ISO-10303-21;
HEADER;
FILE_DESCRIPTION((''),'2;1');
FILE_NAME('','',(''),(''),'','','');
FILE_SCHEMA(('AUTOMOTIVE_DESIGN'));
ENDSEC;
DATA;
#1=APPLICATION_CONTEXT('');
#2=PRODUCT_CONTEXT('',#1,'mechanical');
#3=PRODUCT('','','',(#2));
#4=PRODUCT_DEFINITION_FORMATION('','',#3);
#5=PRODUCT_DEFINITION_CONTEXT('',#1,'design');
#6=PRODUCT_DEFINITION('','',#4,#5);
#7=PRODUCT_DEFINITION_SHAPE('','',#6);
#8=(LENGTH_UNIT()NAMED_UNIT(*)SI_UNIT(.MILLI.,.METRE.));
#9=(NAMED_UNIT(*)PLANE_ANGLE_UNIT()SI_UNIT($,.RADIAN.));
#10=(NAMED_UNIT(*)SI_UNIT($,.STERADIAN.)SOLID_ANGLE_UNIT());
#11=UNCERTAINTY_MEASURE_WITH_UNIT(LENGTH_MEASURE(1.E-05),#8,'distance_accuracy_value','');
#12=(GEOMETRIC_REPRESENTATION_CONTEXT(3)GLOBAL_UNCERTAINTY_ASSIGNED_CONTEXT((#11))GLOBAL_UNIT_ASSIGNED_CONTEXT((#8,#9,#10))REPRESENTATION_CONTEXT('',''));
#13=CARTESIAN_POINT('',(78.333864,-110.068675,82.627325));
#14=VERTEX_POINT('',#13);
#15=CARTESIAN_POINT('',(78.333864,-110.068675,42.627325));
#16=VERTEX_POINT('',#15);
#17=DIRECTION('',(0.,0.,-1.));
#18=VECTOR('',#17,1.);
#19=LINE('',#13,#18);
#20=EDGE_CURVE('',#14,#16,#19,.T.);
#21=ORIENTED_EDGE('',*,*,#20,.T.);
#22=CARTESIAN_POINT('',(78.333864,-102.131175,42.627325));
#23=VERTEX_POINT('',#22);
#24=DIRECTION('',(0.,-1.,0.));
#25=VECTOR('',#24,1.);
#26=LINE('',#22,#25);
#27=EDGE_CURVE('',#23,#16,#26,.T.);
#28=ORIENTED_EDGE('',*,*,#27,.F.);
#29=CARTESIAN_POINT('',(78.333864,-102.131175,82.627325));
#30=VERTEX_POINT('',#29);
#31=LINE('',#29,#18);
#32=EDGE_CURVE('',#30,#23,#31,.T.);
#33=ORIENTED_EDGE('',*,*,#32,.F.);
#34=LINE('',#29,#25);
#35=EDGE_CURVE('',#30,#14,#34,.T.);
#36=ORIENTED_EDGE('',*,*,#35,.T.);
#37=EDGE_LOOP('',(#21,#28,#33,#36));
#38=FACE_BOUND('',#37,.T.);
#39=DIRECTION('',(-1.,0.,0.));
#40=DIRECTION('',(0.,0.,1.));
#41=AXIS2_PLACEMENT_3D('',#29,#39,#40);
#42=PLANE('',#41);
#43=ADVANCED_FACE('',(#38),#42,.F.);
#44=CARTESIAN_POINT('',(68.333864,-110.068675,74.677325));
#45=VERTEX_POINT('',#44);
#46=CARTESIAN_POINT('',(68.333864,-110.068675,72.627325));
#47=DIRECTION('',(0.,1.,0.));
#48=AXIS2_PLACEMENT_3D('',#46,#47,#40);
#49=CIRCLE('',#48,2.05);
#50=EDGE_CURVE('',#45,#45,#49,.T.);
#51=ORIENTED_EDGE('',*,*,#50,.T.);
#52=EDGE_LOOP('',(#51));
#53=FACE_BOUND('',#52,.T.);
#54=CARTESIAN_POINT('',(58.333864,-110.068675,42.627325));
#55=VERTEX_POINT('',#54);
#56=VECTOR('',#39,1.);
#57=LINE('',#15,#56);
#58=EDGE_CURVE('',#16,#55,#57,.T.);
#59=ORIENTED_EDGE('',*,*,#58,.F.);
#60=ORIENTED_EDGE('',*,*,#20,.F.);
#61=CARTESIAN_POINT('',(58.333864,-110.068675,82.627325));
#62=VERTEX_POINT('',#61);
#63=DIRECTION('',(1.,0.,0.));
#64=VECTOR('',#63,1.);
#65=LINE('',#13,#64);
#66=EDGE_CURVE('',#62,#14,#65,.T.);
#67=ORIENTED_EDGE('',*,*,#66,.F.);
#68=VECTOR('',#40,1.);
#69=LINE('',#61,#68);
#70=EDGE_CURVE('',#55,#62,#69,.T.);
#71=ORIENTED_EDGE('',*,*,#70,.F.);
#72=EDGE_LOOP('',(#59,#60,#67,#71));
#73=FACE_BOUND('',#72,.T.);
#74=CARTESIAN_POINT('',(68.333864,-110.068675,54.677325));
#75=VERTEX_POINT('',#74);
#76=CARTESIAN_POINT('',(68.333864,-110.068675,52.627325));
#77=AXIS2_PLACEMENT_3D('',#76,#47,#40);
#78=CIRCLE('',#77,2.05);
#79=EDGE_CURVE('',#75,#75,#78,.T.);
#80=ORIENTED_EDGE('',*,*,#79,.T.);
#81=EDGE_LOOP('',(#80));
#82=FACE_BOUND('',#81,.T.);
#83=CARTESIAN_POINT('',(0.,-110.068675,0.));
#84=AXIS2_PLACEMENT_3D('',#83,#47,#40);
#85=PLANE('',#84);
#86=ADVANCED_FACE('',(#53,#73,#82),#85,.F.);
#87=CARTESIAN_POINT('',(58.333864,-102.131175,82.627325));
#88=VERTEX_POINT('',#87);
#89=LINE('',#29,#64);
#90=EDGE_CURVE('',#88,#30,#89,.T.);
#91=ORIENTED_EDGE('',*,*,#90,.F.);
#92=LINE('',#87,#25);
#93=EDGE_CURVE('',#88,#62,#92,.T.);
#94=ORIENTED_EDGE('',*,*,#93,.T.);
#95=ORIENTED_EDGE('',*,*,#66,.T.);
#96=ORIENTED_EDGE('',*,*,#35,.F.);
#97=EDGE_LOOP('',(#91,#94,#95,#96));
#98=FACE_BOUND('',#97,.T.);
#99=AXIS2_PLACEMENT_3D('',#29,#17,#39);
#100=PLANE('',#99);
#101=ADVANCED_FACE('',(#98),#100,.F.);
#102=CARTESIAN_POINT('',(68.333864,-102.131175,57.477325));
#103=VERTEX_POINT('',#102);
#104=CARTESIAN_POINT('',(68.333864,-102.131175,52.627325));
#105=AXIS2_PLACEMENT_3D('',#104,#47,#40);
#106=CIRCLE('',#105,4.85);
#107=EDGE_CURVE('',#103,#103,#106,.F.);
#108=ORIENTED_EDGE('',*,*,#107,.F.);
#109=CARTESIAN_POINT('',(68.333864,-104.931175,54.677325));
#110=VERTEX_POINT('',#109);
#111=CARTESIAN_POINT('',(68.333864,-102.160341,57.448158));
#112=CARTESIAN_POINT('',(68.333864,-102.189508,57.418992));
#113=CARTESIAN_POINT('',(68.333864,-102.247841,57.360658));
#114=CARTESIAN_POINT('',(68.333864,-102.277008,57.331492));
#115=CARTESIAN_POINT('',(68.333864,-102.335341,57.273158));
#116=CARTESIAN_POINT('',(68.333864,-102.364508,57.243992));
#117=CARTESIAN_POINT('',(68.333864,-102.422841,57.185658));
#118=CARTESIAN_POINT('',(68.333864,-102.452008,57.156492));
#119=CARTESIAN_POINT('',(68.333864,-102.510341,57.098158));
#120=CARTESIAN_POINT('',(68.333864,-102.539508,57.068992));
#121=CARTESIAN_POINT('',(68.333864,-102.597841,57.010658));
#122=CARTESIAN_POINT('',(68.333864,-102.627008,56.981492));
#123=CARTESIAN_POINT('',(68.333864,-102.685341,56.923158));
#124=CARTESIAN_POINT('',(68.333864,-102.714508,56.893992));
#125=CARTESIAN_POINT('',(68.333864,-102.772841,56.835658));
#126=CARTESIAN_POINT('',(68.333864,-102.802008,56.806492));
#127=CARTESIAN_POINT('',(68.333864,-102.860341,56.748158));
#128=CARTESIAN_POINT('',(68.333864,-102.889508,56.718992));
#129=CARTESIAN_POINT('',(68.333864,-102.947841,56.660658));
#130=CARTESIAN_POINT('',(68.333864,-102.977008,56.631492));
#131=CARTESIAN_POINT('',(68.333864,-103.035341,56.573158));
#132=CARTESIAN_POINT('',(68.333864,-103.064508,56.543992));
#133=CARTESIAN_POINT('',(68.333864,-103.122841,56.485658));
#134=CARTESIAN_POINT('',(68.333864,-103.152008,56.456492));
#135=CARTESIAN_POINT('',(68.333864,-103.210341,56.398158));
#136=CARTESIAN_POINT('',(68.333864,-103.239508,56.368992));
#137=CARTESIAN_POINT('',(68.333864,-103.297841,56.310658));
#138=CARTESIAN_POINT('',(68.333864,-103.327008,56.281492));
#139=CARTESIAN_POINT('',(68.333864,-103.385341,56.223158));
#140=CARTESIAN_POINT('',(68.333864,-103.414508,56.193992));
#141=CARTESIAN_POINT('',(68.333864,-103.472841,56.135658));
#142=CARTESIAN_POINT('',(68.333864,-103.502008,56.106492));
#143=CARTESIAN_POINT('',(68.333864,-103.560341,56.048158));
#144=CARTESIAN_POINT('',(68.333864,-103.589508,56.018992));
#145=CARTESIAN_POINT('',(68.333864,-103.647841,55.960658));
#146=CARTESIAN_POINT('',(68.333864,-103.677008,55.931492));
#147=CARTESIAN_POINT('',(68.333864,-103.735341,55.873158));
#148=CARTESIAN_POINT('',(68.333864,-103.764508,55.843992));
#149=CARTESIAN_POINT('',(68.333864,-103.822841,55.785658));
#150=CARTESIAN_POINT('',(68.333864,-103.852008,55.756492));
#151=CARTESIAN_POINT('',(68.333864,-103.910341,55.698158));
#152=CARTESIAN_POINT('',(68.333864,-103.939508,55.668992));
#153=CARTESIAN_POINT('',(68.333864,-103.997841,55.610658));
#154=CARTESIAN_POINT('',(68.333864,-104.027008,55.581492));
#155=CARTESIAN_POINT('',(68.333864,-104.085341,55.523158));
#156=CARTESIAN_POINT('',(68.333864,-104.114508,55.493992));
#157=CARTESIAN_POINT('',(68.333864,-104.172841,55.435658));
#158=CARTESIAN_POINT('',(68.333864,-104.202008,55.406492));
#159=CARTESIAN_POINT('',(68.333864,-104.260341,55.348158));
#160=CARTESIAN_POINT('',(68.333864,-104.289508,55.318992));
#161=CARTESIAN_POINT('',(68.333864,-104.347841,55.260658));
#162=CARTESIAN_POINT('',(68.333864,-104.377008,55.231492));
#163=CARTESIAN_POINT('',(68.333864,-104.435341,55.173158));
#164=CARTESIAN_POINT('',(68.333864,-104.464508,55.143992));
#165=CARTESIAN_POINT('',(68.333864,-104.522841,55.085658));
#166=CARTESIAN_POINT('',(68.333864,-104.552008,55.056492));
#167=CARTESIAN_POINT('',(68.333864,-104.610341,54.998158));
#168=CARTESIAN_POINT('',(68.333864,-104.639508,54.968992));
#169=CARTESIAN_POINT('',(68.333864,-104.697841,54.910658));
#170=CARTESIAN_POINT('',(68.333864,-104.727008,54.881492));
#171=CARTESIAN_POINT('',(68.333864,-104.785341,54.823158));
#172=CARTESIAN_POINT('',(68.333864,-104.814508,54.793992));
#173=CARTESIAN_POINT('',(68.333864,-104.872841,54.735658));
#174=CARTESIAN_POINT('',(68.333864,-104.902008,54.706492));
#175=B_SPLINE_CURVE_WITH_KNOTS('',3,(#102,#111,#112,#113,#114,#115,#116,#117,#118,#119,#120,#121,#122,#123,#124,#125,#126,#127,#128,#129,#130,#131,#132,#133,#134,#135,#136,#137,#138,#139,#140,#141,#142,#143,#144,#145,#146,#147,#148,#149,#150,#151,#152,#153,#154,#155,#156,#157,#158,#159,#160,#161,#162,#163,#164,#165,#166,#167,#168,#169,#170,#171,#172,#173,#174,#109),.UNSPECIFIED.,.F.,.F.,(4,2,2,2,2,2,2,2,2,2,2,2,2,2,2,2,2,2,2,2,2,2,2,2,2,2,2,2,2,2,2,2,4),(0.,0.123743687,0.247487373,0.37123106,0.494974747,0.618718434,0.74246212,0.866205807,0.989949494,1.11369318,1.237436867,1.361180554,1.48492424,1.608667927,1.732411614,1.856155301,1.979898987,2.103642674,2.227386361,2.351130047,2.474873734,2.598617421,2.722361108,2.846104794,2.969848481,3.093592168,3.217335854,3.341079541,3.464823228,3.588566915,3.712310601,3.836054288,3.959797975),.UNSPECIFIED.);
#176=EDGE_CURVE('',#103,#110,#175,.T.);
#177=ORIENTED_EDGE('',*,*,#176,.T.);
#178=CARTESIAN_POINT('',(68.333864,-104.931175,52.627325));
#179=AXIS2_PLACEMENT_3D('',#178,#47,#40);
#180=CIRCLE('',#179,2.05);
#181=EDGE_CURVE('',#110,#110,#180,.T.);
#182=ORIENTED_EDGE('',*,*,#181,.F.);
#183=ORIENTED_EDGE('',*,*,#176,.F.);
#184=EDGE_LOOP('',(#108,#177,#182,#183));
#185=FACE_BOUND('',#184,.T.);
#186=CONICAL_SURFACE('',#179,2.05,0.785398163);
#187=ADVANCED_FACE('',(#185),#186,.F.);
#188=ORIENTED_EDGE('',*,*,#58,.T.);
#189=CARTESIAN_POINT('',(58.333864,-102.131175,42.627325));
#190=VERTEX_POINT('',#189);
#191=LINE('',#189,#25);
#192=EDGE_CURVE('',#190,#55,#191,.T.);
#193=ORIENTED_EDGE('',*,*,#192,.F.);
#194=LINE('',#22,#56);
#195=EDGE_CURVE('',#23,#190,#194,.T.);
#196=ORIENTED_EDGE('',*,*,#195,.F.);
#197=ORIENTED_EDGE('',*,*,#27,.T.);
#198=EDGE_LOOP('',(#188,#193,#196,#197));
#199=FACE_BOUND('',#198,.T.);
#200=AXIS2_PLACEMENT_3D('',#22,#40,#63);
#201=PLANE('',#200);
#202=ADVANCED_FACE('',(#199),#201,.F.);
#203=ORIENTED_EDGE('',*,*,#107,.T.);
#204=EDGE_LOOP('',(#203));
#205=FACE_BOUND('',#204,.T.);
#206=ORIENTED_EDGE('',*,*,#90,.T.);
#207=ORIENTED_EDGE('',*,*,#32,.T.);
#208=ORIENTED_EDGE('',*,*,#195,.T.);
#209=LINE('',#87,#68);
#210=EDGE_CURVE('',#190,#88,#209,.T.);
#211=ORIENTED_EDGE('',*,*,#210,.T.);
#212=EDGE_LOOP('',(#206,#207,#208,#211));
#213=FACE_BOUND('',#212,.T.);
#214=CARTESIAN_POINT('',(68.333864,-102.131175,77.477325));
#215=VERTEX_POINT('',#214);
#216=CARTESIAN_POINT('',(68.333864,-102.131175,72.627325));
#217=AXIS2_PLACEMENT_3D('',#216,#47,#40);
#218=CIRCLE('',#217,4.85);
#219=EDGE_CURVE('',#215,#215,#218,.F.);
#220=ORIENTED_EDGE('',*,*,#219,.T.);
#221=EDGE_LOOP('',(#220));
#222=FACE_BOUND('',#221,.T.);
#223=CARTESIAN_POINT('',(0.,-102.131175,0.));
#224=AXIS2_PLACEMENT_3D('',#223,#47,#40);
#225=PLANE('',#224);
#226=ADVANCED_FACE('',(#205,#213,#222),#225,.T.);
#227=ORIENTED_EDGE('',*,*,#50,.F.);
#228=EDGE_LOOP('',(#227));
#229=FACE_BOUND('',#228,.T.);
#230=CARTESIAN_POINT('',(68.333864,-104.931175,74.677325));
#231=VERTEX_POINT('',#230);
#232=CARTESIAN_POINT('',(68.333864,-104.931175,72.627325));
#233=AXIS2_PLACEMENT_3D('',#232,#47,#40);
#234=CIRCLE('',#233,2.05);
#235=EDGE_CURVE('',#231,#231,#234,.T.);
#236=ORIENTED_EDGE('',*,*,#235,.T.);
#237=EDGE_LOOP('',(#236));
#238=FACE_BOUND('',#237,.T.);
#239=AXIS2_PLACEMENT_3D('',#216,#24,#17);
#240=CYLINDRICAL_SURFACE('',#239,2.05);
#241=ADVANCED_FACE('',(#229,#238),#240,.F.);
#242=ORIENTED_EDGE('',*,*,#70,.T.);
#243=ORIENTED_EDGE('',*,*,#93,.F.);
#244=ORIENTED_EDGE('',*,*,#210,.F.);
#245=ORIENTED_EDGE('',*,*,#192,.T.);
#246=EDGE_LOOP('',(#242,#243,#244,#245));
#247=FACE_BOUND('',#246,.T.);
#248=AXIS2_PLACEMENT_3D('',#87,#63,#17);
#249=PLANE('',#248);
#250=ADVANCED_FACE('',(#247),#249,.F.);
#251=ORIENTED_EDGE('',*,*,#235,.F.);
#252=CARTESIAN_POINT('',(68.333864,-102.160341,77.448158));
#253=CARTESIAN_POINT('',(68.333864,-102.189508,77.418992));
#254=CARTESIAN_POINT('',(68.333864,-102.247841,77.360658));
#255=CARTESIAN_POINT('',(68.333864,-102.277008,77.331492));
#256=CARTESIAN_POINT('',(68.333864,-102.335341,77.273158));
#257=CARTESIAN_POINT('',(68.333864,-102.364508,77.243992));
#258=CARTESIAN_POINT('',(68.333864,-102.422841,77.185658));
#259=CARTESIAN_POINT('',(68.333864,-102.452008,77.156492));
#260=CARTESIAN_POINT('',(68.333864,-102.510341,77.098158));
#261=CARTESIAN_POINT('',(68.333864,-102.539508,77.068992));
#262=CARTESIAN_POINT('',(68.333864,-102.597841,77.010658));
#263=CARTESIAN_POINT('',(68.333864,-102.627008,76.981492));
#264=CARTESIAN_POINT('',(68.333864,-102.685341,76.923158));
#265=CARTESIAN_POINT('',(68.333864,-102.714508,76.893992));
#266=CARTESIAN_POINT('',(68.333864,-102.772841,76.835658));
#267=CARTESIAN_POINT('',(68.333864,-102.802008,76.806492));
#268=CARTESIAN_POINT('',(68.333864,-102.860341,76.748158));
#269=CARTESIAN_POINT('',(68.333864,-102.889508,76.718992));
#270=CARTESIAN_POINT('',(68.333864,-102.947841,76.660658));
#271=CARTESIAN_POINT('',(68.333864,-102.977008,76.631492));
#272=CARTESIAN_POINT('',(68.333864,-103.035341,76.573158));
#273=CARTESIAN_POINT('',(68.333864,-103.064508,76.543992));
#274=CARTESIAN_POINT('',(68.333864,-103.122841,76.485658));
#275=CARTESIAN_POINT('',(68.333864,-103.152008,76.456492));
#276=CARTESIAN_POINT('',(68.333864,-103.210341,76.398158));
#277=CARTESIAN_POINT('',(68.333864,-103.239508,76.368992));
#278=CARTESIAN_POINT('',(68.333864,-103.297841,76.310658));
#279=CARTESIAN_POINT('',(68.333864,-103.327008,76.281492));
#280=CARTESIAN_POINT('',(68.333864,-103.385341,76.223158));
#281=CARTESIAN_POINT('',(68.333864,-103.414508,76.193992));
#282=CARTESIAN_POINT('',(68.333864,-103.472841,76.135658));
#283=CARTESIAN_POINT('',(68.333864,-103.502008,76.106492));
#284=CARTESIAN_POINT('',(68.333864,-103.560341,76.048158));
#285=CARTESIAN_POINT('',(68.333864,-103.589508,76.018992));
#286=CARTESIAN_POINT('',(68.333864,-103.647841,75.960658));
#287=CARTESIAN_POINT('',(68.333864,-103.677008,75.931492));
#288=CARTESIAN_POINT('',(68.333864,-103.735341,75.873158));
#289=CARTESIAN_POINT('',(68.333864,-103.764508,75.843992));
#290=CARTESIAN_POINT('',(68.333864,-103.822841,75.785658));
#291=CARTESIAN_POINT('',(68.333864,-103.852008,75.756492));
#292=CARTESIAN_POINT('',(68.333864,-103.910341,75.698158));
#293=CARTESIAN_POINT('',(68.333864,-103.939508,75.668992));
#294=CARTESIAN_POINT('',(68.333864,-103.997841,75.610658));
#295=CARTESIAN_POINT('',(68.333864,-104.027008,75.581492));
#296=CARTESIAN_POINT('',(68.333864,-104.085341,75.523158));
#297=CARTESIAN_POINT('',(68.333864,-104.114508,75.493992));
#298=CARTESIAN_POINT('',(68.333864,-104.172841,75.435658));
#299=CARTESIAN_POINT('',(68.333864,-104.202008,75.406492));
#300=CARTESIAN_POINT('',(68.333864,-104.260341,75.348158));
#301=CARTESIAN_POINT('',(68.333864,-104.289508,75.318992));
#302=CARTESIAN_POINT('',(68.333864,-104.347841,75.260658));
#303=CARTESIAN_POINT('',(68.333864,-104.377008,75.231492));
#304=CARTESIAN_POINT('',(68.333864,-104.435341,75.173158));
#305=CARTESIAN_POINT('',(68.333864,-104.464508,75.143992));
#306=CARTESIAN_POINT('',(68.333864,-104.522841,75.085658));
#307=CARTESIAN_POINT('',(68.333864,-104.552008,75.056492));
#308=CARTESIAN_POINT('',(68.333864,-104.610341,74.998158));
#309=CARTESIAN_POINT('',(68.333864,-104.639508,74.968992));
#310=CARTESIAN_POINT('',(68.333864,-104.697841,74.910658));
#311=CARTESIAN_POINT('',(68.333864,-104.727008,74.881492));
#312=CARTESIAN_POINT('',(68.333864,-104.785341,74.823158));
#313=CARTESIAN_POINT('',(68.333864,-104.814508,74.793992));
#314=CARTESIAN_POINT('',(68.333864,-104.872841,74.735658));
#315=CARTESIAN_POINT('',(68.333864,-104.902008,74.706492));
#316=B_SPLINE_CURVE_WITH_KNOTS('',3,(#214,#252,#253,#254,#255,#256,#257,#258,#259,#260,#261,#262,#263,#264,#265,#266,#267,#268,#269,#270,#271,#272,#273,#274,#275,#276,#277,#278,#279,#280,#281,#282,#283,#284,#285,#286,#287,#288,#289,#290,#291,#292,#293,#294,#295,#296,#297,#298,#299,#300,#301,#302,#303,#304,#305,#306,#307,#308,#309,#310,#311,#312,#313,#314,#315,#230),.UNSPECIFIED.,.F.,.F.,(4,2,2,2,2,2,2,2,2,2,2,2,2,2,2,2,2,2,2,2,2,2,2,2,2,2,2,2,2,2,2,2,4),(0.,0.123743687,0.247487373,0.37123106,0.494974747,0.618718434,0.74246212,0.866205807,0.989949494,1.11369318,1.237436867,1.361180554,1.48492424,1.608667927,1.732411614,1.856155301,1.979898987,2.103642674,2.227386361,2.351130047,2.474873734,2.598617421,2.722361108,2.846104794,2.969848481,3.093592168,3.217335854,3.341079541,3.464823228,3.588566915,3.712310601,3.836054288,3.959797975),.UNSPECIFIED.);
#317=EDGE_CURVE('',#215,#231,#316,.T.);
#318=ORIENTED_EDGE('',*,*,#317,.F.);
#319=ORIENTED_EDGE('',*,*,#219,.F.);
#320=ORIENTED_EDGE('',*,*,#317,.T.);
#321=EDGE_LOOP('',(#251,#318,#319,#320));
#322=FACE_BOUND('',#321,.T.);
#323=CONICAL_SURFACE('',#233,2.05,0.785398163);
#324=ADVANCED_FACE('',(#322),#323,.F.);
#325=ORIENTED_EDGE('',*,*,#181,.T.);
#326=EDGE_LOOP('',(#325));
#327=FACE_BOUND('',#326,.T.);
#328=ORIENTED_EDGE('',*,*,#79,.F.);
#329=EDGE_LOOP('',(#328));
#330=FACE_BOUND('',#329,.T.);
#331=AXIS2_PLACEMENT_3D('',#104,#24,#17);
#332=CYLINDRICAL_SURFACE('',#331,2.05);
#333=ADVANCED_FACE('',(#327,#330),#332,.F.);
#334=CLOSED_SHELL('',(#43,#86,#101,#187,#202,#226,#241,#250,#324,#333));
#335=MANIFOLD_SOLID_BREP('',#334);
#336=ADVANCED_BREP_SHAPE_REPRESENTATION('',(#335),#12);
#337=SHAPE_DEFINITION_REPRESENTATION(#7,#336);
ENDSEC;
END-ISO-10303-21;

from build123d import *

# Parameters (mm, degrees)
SKETCH1_W           = 20
SKETCH1_H           = 40
SKETCH1_R           = 2.05
BOSS_EXTRUDE1_DEPTH = 7.9375
CHAMFER1_SIZE       = 2.8


with BuildPart() as part:
    # Sketch1 → Boss-Extrude1 (new body)
    with BuildSketch(Plane(origin=(0, -110.068674648, 0), x_dir=(1, 0, 0), z_dir=(0, 1, 0))):
        with Locations((68.333864278, -62.627324848)):
            Rectangle(SKETCH1_W, SKETCH1_H)
        with Locations(Location((68.333864278, -72.627324848, 0), (0, 0, 270))):
            Circle(SKETCH1_R, mode=Mode.SUBTRACT)
        with Locations(Location((68.333864278, -52.627324848, 0), (0, 0, 270))):
            Circle(SKETCH1_R, mode=Mode.SUBTRACT)
    extrude(amount=BOSS_EXTRUDE1_DEPTH)

    # Chamfer1
    chamfer1_edges = [part.edges().sort_by_distance(p)[0] for p in [
        (68.333864278, -102.131174648, 70.577324848),
        (68.333864278, -102.131174648, 50.577324848),
    ]]
    chamfer(chamfer1_edges, length=CHAMFER1_SIZE)


solid = part.part
